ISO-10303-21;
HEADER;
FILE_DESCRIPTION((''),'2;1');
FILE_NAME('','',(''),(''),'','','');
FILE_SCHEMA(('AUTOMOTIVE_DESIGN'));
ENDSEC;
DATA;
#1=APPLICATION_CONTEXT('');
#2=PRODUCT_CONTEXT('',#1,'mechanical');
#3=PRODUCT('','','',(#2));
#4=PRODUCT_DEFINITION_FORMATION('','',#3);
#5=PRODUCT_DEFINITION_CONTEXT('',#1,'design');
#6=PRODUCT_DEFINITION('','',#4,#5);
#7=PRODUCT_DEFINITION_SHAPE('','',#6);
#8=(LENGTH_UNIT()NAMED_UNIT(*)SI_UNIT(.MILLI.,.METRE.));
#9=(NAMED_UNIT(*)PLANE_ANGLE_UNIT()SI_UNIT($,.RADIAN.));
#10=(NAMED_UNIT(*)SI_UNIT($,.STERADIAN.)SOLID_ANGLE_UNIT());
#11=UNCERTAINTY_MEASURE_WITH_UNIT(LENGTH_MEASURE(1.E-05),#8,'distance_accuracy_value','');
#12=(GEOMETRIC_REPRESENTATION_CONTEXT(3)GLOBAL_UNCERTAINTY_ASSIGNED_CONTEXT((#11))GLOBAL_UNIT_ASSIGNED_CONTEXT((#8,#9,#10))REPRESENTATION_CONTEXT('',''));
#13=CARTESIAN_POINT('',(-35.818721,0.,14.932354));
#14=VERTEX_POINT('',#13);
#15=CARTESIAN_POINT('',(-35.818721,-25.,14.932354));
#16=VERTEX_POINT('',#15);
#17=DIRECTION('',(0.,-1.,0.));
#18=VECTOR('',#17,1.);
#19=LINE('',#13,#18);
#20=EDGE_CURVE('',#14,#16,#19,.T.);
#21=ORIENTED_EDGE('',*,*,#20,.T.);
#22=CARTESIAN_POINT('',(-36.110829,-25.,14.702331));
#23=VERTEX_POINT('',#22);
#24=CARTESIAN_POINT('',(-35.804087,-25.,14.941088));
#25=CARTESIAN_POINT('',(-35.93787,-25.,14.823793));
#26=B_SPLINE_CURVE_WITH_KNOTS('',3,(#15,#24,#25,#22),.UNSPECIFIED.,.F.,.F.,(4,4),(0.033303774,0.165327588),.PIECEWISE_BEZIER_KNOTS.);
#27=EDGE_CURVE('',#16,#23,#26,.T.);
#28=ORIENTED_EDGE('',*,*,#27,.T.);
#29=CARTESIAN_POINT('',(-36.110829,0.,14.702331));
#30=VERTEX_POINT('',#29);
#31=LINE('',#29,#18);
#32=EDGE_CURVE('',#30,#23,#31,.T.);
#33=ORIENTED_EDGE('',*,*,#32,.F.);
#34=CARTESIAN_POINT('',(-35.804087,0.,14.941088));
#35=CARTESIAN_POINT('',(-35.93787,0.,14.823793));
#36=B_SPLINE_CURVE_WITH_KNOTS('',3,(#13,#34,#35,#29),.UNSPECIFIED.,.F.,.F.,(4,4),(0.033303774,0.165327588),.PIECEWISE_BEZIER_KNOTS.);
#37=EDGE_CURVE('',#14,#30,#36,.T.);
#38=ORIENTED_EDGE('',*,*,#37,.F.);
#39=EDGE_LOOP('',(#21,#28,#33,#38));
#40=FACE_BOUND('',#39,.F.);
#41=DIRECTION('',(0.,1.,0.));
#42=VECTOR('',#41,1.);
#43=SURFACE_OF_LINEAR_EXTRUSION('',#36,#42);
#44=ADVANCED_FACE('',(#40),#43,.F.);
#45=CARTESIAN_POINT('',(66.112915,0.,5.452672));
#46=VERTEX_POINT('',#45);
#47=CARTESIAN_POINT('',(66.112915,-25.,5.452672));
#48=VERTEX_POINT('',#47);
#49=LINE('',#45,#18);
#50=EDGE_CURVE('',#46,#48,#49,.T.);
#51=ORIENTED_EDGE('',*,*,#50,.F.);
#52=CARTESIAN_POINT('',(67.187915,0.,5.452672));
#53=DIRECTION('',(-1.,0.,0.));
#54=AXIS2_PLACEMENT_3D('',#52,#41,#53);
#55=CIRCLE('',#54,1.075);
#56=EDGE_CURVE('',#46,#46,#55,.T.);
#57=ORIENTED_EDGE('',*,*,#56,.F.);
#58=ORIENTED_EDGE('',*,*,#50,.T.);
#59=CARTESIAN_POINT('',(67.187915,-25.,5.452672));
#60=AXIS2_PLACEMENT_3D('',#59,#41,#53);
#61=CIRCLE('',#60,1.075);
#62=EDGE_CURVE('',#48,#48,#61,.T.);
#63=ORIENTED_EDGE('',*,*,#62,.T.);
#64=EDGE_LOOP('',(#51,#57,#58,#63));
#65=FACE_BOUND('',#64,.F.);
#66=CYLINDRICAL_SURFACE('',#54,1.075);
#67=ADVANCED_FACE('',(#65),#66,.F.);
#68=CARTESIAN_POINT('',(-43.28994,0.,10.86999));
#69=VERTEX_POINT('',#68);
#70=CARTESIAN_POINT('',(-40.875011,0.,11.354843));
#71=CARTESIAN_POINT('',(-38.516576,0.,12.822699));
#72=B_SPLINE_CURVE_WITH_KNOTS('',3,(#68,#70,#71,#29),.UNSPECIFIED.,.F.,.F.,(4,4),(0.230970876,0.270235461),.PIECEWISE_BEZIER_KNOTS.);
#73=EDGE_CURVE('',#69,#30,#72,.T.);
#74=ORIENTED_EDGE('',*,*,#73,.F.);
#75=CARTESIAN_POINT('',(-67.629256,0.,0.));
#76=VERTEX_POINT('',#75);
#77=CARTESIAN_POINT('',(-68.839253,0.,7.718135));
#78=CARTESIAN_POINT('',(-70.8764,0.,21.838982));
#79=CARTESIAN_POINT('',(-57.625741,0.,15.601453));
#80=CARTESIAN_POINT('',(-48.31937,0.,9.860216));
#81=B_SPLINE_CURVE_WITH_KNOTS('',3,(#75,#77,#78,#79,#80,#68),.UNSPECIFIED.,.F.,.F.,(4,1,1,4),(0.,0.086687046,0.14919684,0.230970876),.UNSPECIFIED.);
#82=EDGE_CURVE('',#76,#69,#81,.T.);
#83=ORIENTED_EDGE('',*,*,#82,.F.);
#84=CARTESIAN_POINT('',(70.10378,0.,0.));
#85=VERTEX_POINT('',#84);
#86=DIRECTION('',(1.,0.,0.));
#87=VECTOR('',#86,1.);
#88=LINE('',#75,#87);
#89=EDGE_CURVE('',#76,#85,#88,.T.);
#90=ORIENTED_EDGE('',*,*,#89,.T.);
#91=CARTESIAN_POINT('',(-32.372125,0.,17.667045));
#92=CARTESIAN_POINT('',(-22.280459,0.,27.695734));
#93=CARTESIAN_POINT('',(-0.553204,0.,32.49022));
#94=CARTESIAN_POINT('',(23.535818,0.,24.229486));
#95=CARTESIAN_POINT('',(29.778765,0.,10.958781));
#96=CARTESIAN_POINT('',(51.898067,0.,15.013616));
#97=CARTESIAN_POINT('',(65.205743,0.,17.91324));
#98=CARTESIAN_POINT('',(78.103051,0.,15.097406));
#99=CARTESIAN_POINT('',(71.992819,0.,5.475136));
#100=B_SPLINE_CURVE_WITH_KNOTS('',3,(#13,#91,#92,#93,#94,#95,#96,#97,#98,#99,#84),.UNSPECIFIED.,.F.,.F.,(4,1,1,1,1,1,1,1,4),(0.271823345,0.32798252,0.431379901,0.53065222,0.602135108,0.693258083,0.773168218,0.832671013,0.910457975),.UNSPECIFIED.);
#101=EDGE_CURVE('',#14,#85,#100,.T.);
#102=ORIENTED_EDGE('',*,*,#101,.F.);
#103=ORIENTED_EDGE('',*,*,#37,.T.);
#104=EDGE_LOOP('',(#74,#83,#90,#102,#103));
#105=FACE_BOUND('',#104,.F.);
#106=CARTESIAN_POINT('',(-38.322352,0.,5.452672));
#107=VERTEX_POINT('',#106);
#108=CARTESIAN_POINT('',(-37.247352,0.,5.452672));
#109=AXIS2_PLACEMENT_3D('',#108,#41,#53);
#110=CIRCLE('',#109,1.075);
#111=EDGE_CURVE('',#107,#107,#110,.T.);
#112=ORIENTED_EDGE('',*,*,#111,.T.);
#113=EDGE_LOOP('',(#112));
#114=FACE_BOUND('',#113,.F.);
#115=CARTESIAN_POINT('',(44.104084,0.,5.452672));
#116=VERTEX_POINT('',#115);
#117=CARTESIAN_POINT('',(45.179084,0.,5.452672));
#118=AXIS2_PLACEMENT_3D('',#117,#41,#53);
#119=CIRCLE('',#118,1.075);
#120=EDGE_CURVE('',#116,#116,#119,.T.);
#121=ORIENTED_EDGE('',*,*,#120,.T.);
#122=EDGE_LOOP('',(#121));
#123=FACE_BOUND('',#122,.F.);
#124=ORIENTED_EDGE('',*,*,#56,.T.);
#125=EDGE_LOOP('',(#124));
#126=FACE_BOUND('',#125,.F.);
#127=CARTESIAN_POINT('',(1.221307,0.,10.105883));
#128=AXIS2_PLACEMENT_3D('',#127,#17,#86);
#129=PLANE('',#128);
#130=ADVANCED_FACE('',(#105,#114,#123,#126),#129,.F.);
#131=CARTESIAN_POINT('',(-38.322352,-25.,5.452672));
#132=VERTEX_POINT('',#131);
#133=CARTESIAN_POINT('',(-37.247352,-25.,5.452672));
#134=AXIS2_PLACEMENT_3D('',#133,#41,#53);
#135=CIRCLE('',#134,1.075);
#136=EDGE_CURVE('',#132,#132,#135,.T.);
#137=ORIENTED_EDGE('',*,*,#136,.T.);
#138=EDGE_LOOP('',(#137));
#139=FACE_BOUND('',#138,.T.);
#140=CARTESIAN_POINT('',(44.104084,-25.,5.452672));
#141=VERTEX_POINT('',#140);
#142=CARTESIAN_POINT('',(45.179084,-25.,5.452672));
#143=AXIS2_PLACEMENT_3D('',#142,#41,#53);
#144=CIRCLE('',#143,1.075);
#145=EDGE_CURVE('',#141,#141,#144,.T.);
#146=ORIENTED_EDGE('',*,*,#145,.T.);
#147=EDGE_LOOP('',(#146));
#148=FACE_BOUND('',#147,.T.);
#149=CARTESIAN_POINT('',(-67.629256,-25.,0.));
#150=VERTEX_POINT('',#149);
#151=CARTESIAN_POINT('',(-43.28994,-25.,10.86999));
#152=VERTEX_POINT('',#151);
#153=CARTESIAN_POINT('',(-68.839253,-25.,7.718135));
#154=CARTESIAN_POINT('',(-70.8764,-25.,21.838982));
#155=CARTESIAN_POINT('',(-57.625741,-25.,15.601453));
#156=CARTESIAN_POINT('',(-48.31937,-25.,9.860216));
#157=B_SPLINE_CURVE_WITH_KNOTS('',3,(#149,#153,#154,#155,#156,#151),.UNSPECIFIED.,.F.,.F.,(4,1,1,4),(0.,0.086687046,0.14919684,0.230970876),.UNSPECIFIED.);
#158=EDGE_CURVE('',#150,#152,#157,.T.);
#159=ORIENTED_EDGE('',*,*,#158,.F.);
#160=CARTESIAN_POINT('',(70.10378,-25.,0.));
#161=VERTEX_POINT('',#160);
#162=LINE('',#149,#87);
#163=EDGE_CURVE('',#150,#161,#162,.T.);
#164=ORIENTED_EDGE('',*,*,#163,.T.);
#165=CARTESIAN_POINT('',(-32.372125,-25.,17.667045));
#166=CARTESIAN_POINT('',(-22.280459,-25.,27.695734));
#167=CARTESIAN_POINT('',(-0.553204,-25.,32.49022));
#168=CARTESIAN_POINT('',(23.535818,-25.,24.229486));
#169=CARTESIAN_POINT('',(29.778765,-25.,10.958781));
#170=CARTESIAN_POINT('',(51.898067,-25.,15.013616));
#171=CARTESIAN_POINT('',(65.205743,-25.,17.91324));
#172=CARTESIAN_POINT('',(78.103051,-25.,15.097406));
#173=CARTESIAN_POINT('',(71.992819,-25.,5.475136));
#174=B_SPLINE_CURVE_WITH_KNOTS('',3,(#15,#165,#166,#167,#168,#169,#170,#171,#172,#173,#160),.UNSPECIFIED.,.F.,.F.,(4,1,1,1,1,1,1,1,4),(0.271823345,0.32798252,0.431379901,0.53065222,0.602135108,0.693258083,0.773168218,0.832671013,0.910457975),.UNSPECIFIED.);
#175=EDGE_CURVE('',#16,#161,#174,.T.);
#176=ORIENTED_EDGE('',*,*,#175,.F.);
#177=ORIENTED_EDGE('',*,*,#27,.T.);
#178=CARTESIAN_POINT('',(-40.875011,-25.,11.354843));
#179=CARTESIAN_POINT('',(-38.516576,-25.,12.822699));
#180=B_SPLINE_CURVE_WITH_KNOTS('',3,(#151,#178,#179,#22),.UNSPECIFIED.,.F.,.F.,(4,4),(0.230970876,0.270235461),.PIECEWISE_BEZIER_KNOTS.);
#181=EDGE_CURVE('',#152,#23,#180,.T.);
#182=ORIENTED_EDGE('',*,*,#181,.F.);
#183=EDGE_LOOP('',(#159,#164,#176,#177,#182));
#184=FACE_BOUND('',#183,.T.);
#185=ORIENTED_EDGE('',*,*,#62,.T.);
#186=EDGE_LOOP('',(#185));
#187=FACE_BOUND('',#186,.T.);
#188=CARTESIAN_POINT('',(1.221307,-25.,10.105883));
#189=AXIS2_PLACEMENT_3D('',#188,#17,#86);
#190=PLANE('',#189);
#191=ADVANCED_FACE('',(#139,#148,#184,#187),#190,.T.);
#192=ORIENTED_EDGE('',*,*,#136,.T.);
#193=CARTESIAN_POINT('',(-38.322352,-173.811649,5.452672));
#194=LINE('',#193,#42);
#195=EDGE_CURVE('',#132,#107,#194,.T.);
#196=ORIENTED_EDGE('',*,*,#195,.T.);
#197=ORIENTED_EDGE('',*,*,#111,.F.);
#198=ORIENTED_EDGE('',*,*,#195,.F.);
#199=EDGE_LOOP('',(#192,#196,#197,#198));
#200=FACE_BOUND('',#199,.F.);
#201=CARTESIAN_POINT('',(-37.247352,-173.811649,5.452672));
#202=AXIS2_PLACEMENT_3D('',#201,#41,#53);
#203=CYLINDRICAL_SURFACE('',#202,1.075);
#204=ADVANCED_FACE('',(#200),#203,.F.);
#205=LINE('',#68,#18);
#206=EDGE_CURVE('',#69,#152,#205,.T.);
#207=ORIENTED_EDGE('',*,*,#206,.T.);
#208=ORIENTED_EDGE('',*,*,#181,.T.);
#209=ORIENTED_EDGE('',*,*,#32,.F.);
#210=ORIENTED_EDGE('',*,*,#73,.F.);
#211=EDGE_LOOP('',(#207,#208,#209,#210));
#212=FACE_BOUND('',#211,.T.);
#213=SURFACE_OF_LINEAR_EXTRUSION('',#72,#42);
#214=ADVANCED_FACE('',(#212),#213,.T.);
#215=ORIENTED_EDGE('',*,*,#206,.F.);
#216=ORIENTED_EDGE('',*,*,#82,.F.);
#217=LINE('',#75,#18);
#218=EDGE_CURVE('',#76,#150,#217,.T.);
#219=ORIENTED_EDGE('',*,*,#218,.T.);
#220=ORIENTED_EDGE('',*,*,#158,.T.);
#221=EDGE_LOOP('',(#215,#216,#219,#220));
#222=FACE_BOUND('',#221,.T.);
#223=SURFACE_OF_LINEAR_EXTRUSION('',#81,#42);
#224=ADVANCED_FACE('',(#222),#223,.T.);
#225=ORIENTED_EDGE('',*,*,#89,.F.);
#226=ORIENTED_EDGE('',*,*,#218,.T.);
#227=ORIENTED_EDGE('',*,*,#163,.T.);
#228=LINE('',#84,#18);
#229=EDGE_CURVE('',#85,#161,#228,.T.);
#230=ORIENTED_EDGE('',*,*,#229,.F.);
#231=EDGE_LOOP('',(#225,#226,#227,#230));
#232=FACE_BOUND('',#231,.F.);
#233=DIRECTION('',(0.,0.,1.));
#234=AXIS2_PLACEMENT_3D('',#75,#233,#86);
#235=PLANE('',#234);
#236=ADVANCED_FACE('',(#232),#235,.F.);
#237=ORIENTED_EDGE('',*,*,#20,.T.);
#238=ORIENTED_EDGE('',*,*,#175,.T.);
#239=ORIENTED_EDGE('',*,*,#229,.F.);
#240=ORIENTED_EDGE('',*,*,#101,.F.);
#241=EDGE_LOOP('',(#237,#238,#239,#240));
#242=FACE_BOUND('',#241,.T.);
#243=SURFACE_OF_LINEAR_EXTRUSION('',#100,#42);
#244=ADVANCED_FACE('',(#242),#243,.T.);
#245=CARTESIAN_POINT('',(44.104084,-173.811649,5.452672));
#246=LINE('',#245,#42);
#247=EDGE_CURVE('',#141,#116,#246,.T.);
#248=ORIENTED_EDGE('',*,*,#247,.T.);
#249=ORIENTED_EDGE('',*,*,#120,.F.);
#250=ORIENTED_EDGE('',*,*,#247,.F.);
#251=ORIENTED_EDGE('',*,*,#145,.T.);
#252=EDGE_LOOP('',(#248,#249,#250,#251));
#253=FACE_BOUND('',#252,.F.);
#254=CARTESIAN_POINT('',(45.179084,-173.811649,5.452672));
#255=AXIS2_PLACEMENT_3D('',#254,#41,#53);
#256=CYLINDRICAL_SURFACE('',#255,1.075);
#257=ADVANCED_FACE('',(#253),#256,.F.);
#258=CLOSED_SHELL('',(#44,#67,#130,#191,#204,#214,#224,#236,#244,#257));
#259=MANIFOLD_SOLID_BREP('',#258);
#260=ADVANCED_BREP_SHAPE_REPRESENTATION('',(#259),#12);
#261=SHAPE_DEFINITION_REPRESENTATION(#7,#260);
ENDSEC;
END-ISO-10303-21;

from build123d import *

# Parameters (mm, degrees)
F1_DEPTH = 25
F3_D     = 2.15
F4_R     = 1.075
F5_DEPTH = 25.0010001


with BuildPart() as f1:
    # F0 (on Front) → F1 (new body)
    with BuildSketch(Plane.XZ):
        with BuildLine():
            Line((-67.6292562194, 0), (0, 0))
            Line((0, 0), (70.1037801326, 0))
            add(Edge.make_bspline(
                [(-35.8187206498, 14.9323540671), (-32.3721245175, 17.6670450757), (-22.2804590561, 27.6957336708), (-0.5532035443, 32.4902199692), (23.5358179513, 24.2294862907), (29.7787645974, 10.9587809419), (51.8980669907, 15.0136159709), (65.205743053, 17.913240215), (78.1030507881, 15.097406101), (71.9928192761, 5.4751362852), (70.1037801326, 0)],
                knots=[0.2718233452, 0.2718233452, 0.2718233452, 0.2718233452, 0.3279825198, 0.4313799007, 0.5306522199, 0.6021351082, 0.6932580831, 0.7731682182, 0.8326710129, 0.9104579748, 0.9104579748, 0.9104579748, 0.9104579748], degree=3))
            add(Edge.make_bspline(
                [(-35.8187206498, 14.9323540671), (-35.8040867081, 14.9410882765), (-35.9378695388, 14.8237929522), (-36.1108292553, 14.7023310817)],
                knots=[0.0333037738, 0.0333037738, 0.0333037738, 0.0333037738, 0.165327588, 0.165327588, 0.165327588, 0.165327588], degree=3))
            add(Edge.make_bspline(
                [(-43.2899401356, 10.8699904327), (-40.8750114406, 11.3548434949), (-38.51657576, 12.8226989149), (-36.1108292553, 14.7023310817)],
                knots=[0.2309708757, 0.2309708757, 0.2309708757, 0.2309708757, 0.2702354611, 0.2702354611, 0.2702354611, 0.2702354611], degree=3))
            add(Edge.make_bspline(
                [(-67.6292562194, 0), (-68.8392527492, 7.7181354174), (-70.8763996978, 21.8389822913), (-57.6257413317, 15.6014532234), (-48.3193696397, 9.8602155679), (-43.2899401356, 10.8699904327)],
                knots=[0, 0, 0, 0, 0.0866870461, 0.1491968404, 0.2309708757, 0.2309708757, 0.2309708757, 0.2309708757], degree=3))
        make_face()
    extrude(amount=F1_DEPTH)

    # F3 (through all)
    with Locations(Plane.XZ.offset(25)):
        with Locations((45.1790839434, 5.4526720196), (-37.2473523021, 5.4526720196)):
            Hole(F3_D / 2)

    # F4 (on face) → F5 (cut, through all)
    with BuildSketch(Plane(origin=(0, 0, 0), x_dir=(-1, 0, 0), z_dir=(0, 1, 0))):
        with Locations((-67.1879152943, 5.4526720196)):
            Circle(F4_R)
    extrude(amount=-F5_DEPTH, mode=Mode.SUBTRACT)


solid = f1.part
